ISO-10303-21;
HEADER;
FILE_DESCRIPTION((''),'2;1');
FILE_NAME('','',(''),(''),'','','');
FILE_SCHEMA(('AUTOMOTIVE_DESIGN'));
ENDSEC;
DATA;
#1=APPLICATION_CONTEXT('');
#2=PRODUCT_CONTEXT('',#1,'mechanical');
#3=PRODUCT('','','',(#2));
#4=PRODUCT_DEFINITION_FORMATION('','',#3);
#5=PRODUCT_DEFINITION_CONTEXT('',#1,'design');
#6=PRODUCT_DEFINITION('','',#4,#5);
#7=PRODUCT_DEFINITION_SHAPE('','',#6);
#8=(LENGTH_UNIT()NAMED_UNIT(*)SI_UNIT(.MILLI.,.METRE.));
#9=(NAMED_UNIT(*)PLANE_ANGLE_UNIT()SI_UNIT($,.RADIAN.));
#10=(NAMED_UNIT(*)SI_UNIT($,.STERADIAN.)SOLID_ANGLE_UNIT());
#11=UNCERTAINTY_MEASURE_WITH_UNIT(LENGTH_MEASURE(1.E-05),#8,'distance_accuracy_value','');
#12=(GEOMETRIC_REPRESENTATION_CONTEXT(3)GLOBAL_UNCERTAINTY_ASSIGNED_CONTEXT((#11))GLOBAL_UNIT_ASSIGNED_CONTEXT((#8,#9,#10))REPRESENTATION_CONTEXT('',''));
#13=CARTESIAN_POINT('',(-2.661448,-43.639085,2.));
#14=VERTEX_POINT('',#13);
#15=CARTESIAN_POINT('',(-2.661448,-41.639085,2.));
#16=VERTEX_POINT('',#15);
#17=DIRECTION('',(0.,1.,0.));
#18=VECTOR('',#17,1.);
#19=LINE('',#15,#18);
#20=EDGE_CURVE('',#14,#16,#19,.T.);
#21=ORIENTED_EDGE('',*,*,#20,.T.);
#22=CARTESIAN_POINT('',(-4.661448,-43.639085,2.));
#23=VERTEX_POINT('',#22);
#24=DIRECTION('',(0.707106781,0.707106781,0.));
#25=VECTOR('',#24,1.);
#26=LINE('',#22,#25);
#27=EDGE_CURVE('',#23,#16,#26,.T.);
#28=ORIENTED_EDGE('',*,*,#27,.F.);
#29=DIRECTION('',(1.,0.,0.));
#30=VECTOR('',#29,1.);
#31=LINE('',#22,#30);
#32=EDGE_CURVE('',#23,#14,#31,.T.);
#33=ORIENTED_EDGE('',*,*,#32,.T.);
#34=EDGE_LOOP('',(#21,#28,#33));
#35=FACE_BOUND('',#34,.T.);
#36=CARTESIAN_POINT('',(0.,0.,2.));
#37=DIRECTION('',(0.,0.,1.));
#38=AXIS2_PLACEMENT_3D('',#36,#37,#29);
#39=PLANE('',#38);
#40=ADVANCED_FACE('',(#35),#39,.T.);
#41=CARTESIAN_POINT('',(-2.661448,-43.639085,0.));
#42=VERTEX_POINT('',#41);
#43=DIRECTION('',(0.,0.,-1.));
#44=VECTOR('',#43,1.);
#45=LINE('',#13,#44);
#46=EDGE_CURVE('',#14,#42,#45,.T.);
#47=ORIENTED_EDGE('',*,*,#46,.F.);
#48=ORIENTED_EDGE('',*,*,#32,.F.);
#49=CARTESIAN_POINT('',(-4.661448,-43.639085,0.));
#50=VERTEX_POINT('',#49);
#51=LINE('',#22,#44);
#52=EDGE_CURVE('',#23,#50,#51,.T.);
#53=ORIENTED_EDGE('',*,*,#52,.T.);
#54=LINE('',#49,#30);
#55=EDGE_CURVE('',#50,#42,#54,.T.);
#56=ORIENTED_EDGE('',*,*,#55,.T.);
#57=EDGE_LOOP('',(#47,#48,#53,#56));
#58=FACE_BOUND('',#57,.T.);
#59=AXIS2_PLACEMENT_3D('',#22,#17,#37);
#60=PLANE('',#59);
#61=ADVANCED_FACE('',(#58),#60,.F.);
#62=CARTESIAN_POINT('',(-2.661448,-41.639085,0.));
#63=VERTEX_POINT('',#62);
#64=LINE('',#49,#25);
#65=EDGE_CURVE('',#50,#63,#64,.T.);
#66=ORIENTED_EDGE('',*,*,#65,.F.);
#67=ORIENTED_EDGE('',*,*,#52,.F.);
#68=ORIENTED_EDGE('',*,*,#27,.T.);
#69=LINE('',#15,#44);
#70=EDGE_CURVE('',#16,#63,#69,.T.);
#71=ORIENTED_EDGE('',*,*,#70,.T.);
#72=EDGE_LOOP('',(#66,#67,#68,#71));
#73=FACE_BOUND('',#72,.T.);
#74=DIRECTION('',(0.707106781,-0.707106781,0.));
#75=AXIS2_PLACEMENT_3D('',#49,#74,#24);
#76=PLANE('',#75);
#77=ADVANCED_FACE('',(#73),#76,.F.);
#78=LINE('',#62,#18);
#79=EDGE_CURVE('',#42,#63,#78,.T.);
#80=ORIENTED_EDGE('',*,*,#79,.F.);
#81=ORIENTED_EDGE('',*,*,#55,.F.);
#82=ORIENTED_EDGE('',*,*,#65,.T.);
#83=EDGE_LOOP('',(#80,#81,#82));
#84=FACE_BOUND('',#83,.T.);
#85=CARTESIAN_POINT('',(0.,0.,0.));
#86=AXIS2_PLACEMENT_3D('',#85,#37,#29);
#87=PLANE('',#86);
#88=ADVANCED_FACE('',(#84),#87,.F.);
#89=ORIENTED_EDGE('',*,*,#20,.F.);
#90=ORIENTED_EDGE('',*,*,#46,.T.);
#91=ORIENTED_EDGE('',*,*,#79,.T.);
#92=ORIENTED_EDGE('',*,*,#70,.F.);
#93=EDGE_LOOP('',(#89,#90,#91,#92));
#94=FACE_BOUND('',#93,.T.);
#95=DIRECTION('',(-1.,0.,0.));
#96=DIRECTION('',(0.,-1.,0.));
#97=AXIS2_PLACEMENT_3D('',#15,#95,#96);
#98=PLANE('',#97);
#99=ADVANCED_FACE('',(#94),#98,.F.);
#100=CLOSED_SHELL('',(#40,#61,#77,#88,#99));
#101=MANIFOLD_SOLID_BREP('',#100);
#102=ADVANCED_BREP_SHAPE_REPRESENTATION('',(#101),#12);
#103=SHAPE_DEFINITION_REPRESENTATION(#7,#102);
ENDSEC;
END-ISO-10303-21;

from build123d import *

# Parameters (mm, degrees)
SKETCH1_W           = 2
SKETCH1_H           = 2
BOSS_EXTRUDE1_DEPTH = 2
CUT_EXTRUDE1_DEPTH  = 44.932890157


with BuildPart() as part:
    # Sketch1 → Boss-Extrude1 (new body)
    with BuildSketch(Plane.XY):
        with Locations((-3.661448455, -42.639084956)):
            Rectangle(SKETCH1_W, SKETCH1_H)
    extrude(amount=BOSS_EXTRUDE1_DEPTH)

    # Sketch2 → Cut-Extrude1 (cut, through all)
    with BuildSketch(Plane.XY.offset(2)):
        Polygon((-4.661448455, -43.639084956), (-2.661448455, -41.639084956), (-4.661448455, -41.639084956), align=None)
    extrude(amount=-CUT_EXTRUDE1_DEPTH, mode=Mode.SUBTRACT)


solid = part.part
